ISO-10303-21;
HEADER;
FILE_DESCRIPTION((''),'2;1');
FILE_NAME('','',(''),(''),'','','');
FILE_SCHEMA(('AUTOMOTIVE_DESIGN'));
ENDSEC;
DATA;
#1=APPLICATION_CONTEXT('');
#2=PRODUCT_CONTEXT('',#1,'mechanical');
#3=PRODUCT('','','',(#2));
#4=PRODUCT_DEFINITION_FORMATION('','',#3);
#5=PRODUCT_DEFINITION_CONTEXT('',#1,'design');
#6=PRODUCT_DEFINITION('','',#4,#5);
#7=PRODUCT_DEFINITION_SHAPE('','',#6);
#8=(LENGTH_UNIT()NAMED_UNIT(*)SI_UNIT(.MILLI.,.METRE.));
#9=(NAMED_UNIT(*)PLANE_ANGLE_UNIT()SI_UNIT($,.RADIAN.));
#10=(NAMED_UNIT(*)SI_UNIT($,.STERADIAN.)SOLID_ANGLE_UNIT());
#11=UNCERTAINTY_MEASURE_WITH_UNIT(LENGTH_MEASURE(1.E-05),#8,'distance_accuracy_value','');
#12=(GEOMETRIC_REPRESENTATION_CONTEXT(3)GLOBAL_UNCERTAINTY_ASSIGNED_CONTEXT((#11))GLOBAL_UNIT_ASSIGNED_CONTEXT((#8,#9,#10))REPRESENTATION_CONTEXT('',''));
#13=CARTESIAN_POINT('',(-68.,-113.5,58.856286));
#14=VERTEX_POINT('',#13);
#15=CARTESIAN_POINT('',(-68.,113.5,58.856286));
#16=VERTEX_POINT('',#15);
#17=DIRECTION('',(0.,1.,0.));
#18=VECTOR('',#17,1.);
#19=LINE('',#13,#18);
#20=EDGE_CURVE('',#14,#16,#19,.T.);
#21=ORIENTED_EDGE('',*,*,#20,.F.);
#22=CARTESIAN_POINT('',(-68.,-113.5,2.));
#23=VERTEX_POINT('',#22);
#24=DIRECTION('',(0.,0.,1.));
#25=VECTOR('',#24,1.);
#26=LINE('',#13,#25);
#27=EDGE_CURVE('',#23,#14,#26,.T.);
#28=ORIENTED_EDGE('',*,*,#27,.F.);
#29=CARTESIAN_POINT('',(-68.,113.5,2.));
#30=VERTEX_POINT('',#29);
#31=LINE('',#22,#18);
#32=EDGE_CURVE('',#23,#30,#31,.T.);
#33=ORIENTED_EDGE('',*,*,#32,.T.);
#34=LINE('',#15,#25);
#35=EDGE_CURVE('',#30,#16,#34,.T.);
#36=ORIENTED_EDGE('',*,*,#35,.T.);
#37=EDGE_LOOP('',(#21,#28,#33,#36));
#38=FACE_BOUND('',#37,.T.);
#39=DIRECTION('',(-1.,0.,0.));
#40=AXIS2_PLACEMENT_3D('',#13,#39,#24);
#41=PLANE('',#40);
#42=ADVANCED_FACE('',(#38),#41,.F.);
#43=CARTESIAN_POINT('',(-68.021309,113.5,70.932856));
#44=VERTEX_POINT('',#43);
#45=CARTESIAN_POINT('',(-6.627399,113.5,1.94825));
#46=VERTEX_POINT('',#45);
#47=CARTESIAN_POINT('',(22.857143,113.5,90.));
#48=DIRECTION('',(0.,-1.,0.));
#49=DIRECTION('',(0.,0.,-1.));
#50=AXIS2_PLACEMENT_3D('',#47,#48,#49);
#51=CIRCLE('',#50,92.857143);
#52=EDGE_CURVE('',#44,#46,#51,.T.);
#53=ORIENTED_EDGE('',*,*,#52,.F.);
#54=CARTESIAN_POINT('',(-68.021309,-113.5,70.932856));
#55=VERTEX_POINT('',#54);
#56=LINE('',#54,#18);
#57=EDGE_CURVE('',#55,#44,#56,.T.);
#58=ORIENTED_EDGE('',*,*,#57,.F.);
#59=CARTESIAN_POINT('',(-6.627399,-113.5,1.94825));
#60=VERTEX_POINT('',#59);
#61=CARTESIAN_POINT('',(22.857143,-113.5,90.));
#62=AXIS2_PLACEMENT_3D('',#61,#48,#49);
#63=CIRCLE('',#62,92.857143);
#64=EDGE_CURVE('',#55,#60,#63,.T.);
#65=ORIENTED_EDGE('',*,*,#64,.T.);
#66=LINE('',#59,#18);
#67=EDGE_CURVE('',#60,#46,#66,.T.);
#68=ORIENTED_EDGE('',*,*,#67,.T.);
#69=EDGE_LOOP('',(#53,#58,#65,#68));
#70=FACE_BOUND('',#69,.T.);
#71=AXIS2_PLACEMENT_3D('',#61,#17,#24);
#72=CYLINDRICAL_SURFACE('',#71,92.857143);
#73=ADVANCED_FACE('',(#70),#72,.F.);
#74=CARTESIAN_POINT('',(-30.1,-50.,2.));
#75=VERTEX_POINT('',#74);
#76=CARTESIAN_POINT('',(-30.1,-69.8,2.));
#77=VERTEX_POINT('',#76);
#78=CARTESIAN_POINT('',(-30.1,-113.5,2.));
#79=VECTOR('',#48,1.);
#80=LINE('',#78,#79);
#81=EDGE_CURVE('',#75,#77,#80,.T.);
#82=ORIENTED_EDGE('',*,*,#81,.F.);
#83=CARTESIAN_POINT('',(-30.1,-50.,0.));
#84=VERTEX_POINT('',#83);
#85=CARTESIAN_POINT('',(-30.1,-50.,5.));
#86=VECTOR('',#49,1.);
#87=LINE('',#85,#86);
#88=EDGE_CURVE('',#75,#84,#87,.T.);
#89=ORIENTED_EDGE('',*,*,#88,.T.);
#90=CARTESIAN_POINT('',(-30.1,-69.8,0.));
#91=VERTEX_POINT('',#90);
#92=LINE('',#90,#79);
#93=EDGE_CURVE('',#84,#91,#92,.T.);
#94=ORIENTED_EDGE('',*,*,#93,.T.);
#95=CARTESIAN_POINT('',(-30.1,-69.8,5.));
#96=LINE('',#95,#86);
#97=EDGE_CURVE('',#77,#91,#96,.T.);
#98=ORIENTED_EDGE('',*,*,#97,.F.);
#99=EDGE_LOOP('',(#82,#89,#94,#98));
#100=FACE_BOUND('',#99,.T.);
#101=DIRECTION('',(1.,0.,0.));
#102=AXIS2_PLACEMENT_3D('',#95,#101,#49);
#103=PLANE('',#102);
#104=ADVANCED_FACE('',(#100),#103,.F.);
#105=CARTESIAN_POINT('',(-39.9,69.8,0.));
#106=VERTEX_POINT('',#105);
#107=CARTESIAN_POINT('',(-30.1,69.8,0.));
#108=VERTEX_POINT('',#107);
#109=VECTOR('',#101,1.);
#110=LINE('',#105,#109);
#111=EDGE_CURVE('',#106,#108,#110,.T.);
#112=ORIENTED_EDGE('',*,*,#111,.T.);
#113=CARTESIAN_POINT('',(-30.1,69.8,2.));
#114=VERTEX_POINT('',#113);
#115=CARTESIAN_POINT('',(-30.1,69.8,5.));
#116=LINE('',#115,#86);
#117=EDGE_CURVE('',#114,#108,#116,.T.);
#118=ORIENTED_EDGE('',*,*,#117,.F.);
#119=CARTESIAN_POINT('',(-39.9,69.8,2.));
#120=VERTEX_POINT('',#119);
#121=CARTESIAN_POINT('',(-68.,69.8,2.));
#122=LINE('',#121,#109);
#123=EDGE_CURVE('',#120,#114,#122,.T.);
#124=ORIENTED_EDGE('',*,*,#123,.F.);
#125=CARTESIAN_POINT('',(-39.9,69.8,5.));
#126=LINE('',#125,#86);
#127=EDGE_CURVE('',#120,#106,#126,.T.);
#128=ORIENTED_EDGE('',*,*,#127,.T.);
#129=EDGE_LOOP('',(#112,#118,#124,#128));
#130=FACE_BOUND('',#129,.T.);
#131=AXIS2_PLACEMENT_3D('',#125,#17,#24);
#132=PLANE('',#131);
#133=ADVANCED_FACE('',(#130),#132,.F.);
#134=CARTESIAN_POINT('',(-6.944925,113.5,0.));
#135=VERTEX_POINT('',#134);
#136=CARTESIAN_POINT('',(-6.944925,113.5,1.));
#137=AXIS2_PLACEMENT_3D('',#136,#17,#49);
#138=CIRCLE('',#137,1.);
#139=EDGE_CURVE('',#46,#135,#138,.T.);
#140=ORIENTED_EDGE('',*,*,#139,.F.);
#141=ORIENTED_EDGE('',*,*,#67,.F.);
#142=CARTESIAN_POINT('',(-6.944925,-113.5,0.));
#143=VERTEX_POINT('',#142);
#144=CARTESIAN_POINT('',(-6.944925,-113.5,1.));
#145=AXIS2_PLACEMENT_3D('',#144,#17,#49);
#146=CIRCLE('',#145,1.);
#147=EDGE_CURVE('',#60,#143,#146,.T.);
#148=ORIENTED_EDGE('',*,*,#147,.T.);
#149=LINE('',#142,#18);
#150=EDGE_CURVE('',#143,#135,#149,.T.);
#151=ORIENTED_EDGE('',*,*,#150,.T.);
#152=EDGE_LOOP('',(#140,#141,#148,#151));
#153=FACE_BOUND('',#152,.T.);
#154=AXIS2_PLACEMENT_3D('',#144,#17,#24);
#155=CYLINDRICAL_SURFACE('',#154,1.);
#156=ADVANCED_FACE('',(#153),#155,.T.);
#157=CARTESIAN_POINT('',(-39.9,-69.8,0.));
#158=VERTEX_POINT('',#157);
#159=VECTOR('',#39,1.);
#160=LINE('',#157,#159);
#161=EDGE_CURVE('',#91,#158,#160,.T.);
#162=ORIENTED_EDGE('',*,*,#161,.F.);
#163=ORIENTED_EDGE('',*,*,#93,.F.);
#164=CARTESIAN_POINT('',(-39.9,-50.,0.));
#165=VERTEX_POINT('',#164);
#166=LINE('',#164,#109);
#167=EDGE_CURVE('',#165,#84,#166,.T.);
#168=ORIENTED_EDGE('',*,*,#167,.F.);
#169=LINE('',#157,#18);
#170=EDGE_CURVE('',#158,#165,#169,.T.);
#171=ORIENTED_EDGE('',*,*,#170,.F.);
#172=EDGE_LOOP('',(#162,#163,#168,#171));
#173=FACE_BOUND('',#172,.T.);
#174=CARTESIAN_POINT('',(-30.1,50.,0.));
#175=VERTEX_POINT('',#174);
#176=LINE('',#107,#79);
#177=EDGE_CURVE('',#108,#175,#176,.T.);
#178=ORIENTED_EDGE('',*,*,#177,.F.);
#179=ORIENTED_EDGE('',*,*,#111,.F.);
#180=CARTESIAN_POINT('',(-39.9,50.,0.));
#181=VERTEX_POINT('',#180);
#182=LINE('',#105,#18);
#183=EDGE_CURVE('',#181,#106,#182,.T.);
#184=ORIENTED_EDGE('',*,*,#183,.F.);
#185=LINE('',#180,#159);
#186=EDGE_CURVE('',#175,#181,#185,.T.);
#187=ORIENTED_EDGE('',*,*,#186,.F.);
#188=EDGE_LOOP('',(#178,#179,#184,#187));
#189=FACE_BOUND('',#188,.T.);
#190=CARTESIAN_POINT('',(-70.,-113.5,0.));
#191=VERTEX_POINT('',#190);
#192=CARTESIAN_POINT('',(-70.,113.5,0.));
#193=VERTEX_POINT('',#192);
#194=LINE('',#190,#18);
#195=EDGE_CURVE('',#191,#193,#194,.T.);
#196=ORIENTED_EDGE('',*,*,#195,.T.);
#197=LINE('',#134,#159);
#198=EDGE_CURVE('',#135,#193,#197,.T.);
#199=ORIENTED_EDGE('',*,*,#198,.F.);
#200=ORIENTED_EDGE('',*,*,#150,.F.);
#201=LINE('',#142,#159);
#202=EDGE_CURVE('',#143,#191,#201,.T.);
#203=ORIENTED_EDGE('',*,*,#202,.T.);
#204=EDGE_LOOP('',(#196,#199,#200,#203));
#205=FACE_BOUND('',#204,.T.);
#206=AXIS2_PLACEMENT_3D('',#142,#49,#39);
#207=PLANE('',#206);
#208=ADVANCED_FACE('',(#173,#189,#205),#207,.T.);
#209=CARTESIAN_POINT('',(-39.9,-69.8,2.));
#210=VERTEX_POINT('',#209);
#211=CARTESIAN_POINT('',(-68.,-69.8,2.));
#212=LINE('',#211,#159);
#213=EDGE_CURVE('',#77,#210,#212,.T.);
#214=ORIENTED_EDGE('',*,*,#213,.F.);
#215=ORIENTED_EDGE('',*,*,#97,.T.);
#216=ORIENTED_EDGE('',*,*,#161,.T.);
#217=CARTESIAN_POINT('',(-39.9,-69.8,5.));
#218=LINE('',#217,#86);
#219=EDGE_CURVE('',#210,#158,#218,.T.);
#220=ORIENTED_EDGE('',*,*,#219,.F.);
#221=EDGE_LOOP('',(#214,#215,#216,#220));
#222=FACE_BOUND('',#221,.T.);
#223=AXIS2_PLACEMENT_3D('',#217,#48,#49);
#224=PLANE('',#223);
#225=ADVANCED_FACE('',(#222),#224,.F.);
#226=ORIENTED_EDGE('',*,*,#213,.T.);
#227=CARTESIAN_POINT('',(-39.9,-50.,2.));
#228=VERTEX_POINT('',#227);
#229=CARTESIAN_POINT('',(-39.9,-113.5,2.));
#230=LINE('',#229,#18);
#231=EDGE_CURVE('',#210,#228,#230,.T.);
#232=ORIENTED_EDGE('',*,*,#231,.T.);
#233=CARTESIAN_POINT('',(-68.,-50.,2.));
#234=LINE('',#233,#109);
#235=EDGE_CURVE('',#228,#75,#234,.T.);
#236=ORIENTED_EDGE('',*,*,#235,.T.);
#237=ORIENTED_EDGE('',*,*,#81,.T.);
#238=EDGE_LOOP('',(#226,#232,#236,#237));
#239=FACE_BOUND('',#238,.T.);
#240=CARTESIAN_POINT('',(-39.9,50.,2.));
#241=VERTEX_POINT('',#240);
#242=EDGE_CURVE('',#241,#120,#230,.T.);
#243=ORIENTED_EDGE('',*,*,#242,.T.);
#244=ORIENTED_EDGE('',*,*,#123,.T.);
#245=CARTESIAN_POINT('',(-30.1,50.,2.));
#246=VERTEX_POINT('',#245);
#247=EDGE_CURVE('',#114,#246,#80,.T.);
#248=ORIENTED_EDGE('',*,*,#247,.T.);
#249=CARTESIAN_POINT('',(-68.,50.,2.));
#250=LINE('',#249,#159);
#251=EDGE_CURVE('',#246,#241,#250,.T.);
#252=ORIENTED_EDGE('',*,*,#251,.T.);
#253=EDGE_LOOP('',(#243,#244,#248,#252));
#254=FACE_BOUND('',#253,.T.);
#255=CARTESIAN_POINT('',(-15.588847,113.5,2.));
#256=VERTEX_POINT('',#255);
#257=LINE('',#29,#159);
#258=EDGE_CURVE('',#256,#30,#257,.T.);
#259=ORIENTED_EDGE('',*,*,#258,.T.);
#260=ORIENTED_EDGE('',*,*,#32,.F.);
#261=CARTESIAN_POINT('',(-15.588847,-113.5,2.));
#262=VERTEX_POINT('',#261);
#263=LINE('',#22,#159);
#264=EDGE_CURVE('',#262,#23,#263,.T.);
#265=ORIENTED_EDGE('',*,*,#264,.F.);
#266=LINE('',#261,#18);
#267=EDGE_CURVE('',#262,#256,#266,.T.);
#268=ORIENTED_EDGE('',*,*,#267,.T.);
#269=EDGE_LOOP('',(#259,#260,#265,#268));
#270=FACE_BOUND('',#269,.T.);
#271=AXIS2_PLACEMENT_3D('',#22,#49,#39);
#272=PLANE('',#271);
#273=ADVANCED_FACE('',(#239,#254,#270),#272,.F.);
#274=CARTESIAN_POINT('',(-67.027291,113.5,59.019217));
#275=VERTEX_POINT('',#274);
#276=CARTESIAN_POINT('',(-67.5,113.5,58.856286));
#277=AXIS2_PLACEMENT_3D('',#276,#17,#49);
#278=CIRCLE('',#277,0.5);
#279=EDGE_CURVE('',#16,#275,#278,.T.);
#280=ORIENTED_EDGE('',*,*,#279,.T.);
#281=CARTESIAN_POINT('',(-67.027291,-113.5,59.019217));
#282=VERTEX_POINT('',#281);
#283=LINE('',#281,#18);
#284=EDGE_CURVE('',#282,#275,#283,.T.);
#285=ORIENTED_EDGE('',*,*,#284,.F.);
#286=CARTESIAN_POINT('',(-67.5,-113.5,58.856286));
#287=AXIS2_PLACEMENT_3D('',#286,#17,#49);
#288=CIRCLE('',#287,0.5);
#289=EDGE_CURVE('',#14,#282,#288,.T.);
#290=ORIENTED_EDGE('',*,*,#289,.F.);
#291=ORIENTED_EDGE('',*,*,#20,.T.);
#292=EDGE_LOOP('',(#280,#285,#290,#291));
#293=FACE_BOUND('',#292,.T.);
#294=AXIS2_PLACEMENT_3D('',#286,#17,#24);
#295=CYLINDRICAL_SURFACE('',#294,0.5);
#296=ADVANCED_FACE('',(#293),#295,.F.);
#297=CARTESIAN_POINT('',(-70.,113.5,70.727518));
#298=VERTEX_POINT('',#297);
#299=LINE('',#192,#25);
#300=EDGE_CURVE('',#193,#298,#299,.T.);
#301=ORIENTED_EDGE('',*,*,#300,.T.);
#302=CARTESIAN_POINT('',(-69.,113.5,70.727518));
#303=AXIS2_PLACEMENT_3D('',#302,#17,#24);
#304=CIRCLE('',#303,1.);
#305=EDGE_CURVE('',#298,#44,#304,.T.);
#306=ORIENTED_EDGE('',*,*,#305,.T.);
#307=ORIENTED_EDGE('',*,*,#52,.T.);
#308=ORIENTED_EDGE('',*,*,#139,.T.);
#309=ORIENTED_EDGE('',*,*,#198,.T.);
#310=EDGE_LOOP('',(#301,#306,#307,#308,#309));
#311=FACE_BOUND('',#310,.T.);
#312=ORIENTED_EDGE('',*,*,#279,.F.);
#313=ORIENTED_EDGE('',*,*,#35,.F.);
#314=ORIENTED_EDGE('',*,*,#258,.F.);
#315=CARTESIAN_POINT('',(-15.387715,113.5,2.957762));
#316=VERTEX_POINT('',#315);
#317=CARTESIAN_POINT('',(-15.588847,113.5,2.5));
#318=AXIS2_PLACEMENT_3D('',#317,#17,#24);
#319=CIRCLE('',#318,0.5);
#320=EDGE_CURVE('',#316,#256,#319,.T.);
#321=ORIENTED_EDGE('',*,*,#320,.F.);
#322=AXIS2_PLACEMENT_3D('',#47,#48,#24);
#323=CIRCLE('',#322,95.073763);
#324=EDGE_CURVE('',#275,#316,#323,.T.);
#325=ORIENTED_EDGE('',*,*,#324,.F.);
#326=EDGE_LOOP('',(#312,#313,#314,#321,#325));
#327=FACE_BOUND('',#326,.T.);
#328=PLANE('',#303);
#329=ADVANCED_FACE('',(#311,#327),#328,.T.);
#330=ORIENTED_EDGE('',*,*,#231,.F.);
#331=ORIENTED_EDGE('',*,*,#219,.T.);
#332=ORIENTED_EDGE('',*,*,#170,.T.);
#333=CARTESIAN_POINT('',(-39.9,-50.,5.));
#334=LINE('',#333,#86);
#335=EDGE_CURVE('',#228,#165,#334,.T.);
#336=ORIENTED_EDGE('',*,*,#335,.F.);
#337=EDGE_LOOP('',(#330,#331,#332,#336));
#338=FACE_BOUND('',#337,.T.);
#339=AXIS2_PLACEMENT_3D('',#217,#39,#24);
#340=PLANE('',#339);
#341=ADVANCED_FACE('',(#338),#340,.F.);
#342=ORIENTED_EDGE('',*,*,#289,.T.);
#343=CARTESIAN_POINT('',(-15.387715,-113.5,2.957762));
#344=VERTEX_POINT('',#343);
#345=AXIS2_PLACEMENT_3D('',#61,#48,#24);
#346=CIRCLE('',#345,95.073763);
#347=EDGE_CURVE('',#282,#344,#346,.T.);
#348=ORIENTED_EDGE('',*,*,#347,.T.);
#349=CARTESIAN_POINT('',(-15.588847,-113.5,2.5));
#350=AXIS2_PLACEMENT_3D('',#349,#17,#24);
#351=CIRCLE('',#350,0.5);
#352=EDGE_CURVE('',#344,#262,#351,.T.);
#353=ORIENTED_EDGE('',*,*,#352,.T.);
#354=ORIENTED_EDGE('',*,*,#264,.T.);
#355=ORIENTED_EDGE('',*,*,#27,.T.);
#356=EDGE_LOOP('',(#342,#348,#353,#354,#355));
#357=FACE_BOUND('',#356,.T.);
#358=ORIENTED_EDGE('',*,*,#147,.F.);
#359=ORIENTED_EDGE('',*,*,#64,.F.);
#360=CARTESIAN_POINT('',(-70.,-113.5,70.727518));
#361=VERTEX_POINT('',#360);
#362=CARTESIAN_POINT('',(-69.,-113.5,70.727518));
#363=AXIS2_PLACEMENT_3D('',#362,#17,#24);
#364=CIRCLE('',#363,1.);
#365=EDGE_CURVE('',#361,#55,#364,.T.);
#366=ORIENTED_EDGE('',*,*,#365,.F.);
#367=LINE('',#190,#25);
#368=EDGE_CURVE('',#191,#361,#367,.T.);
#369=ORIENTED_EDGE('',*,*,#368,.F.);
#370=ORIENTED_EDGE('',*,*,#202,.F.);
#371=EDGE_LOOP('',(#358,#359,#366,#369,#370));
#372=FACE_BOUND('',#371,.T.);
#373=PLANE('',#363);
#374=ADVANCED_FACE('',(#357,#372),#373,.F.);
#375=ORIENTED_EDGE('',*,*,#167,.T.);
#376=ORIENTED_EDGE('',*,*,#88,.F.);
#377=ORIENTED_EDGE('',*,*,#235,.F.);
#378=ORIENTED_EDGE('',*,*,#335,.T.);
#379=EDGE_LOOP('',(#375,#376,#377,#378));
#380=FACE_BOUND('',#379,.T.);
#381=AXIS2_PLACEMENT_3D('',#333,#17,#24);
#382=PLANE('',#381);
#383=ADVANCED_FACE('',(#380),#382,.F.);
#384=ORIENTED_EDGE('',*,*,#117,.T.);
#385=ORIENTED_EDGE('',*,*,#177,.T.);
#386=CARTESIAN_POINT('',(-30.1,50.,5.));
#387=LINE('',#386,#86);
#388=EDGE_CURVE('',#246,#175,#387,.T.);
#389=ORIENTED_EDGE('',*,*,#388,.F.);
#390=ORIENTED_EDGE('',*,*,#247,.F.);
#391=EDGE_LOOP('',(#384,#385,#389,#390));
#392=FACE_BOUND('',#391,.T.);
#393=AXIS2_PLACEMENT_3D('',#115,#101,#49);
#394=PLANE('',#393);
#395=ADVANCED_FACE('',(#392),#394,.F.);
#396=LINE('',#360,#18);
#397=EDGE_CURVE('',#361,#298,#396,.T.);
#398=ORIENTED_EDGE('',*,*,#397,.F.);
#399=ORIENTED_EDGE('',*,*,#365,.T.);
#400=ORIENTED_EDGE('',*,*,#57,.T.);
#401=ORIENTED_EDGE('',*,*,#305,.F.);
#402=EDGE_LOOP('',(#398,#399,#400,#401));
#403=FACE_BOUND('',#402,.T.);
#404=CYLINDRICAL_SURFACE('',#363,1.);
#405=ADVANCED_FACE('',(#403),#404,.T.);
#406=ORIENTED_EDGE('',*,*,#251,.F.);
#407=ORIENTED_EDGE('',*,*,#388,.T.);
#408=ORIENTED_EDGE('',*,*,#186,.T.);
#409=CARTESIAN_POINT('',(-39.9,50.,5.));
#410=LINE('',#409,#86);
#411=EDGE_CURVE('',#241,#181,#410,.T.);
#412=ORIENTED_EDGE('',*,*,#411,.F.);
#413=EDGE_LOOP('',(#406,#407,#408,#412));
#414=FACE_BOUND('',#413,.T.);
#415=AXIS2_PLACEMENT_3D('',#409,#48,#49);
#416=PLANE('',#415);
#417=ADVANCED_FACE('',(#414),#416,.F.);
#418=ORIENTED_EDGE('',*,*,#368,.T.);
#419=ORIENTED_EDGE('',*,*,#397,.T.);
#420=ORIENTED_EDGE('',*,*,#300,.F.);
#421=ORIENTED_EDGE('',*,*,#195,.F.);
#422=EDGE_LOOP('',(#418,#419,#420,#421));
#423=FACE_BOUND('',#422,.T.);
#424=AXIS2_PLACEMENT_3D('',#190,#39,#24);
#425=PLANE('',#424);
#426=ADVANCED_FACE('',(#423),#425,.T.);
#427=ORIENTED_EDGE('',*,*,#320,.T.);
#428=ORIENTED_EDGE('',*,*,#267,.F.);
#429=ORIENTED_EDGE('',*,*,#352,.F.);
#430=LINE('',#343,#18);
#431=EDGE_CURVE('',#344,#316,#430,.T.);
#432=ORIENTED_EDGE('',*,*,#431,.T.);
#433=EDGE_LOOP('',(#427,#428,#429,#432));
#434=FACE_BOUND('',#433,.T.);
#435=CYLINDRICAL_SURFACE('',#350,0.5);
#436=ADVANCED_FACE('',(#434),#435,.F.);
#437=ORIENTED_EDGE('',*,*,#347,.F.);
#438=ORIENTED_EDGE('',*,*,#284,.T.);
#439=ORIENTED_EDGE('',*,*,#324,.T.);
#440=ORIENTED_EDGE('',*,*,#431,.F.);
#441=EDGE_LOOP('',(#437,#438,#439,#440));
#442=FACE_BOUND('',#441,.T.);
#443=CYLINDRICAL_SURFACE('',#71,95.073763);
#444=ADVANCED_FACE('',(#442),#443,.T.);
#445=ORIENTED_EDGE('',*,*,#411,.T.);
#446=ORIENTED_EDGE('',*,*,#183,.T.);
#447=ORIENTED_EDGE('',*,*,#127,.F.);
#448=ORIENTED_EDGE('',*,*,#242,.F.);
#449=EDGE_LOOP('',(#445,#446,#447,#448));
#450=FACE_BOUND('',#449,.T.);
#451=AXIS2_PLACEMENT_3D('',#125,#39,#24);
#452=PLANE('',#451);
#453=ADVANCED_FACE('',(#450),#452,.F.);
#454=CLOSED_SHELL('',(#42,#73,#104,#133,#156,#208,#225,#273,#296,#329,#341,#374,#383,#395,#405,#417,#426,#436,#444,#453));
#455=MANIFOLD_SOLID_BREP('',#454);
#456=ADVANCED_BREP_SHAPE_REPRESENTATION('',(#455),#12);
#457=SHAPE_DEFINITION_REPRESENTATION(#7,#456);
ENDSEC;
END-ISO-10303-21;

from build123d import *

# Parameters (mm, degrees)
BOSS_EXTRUDE1_DEPTH      = 113.5
BOSS_EXTRUDE1_DEPTH_BACK = 113.5
SKETCH3_W                = 9.8
SKETCH3_H                = 19.8
CUT_EXTRUDE1_DEPTH       = 5


with BuildPart() as part:
    # Sketch2 → Boss-Extrude1 (new, two sides: drawn at the far end of the back side and taken through both)
    with BuildSketch(Plane(origin=(0, 0, 0), x_dir=(-1, 0, 0), z_dir=(0, 1, 0)).offset(-BOSS_EXTRUDE1_DEPTH_BACK)):
        with BuildLine():
            Line((6.944925281, 0), (70, 0))
            Line((70, 0), (70, 70.727517767))
            ThreePointArc((70, 70.727517767), (69.10322059, 71.722176256), (68.02130898, 70.932856238))
            ThreePointArc((68.02130898, 70.932856238), (46.50806151, 28.267371652), (6.627399441, 1.948249619))
            ThreePointArc((6.627399441, 1.948249619), (5.957947667, 0.839142329), (6.944925281, 0))
        make_face()
        with BuildLine():
            Line((68, 58.856286255), (68, 2))
            Line((68, 2), (15.588847456, 2))
            ThreePointArc((15.588847456, 2), (15.099520976, 2.397240103), (15.387714901, 2.957761614))
            ThreePointArc((15.387714901, 2.957761614), (47.071395865, 25.58711402), (67.027291068, 59.019216502))
            ThreePointArc((67.027291068, 59.019216502), (67.582600042, 59.349416291), (68, 58.856286255))
        make_face(mode=Mode.SUBTRACT)
    extrude(amount=BOSS_EXTRUDE1_DEPTH + BOSS_EXTRUDE1_DEPTH_BACK)

    # Sketch3 → Cut-Extrude1 (cut)
    with BuildSketch(Plane(origin=(0, 0, 0), x_dir=(1, 0, 0), z_dir=(0, 0, -1))):
        with Locations((-35, -59.9)):
            Rectangle(SKETCH3_W, SKETCH3_H)
        with Locations((-35, 59.9)):
            Rectangle(SKETCH3_W, SKETCH3_H)
    extrude(amount=-CUT_EXTRUDE1_DEPTH, mode=Mode.SUBTRACT)


solid = part.part
